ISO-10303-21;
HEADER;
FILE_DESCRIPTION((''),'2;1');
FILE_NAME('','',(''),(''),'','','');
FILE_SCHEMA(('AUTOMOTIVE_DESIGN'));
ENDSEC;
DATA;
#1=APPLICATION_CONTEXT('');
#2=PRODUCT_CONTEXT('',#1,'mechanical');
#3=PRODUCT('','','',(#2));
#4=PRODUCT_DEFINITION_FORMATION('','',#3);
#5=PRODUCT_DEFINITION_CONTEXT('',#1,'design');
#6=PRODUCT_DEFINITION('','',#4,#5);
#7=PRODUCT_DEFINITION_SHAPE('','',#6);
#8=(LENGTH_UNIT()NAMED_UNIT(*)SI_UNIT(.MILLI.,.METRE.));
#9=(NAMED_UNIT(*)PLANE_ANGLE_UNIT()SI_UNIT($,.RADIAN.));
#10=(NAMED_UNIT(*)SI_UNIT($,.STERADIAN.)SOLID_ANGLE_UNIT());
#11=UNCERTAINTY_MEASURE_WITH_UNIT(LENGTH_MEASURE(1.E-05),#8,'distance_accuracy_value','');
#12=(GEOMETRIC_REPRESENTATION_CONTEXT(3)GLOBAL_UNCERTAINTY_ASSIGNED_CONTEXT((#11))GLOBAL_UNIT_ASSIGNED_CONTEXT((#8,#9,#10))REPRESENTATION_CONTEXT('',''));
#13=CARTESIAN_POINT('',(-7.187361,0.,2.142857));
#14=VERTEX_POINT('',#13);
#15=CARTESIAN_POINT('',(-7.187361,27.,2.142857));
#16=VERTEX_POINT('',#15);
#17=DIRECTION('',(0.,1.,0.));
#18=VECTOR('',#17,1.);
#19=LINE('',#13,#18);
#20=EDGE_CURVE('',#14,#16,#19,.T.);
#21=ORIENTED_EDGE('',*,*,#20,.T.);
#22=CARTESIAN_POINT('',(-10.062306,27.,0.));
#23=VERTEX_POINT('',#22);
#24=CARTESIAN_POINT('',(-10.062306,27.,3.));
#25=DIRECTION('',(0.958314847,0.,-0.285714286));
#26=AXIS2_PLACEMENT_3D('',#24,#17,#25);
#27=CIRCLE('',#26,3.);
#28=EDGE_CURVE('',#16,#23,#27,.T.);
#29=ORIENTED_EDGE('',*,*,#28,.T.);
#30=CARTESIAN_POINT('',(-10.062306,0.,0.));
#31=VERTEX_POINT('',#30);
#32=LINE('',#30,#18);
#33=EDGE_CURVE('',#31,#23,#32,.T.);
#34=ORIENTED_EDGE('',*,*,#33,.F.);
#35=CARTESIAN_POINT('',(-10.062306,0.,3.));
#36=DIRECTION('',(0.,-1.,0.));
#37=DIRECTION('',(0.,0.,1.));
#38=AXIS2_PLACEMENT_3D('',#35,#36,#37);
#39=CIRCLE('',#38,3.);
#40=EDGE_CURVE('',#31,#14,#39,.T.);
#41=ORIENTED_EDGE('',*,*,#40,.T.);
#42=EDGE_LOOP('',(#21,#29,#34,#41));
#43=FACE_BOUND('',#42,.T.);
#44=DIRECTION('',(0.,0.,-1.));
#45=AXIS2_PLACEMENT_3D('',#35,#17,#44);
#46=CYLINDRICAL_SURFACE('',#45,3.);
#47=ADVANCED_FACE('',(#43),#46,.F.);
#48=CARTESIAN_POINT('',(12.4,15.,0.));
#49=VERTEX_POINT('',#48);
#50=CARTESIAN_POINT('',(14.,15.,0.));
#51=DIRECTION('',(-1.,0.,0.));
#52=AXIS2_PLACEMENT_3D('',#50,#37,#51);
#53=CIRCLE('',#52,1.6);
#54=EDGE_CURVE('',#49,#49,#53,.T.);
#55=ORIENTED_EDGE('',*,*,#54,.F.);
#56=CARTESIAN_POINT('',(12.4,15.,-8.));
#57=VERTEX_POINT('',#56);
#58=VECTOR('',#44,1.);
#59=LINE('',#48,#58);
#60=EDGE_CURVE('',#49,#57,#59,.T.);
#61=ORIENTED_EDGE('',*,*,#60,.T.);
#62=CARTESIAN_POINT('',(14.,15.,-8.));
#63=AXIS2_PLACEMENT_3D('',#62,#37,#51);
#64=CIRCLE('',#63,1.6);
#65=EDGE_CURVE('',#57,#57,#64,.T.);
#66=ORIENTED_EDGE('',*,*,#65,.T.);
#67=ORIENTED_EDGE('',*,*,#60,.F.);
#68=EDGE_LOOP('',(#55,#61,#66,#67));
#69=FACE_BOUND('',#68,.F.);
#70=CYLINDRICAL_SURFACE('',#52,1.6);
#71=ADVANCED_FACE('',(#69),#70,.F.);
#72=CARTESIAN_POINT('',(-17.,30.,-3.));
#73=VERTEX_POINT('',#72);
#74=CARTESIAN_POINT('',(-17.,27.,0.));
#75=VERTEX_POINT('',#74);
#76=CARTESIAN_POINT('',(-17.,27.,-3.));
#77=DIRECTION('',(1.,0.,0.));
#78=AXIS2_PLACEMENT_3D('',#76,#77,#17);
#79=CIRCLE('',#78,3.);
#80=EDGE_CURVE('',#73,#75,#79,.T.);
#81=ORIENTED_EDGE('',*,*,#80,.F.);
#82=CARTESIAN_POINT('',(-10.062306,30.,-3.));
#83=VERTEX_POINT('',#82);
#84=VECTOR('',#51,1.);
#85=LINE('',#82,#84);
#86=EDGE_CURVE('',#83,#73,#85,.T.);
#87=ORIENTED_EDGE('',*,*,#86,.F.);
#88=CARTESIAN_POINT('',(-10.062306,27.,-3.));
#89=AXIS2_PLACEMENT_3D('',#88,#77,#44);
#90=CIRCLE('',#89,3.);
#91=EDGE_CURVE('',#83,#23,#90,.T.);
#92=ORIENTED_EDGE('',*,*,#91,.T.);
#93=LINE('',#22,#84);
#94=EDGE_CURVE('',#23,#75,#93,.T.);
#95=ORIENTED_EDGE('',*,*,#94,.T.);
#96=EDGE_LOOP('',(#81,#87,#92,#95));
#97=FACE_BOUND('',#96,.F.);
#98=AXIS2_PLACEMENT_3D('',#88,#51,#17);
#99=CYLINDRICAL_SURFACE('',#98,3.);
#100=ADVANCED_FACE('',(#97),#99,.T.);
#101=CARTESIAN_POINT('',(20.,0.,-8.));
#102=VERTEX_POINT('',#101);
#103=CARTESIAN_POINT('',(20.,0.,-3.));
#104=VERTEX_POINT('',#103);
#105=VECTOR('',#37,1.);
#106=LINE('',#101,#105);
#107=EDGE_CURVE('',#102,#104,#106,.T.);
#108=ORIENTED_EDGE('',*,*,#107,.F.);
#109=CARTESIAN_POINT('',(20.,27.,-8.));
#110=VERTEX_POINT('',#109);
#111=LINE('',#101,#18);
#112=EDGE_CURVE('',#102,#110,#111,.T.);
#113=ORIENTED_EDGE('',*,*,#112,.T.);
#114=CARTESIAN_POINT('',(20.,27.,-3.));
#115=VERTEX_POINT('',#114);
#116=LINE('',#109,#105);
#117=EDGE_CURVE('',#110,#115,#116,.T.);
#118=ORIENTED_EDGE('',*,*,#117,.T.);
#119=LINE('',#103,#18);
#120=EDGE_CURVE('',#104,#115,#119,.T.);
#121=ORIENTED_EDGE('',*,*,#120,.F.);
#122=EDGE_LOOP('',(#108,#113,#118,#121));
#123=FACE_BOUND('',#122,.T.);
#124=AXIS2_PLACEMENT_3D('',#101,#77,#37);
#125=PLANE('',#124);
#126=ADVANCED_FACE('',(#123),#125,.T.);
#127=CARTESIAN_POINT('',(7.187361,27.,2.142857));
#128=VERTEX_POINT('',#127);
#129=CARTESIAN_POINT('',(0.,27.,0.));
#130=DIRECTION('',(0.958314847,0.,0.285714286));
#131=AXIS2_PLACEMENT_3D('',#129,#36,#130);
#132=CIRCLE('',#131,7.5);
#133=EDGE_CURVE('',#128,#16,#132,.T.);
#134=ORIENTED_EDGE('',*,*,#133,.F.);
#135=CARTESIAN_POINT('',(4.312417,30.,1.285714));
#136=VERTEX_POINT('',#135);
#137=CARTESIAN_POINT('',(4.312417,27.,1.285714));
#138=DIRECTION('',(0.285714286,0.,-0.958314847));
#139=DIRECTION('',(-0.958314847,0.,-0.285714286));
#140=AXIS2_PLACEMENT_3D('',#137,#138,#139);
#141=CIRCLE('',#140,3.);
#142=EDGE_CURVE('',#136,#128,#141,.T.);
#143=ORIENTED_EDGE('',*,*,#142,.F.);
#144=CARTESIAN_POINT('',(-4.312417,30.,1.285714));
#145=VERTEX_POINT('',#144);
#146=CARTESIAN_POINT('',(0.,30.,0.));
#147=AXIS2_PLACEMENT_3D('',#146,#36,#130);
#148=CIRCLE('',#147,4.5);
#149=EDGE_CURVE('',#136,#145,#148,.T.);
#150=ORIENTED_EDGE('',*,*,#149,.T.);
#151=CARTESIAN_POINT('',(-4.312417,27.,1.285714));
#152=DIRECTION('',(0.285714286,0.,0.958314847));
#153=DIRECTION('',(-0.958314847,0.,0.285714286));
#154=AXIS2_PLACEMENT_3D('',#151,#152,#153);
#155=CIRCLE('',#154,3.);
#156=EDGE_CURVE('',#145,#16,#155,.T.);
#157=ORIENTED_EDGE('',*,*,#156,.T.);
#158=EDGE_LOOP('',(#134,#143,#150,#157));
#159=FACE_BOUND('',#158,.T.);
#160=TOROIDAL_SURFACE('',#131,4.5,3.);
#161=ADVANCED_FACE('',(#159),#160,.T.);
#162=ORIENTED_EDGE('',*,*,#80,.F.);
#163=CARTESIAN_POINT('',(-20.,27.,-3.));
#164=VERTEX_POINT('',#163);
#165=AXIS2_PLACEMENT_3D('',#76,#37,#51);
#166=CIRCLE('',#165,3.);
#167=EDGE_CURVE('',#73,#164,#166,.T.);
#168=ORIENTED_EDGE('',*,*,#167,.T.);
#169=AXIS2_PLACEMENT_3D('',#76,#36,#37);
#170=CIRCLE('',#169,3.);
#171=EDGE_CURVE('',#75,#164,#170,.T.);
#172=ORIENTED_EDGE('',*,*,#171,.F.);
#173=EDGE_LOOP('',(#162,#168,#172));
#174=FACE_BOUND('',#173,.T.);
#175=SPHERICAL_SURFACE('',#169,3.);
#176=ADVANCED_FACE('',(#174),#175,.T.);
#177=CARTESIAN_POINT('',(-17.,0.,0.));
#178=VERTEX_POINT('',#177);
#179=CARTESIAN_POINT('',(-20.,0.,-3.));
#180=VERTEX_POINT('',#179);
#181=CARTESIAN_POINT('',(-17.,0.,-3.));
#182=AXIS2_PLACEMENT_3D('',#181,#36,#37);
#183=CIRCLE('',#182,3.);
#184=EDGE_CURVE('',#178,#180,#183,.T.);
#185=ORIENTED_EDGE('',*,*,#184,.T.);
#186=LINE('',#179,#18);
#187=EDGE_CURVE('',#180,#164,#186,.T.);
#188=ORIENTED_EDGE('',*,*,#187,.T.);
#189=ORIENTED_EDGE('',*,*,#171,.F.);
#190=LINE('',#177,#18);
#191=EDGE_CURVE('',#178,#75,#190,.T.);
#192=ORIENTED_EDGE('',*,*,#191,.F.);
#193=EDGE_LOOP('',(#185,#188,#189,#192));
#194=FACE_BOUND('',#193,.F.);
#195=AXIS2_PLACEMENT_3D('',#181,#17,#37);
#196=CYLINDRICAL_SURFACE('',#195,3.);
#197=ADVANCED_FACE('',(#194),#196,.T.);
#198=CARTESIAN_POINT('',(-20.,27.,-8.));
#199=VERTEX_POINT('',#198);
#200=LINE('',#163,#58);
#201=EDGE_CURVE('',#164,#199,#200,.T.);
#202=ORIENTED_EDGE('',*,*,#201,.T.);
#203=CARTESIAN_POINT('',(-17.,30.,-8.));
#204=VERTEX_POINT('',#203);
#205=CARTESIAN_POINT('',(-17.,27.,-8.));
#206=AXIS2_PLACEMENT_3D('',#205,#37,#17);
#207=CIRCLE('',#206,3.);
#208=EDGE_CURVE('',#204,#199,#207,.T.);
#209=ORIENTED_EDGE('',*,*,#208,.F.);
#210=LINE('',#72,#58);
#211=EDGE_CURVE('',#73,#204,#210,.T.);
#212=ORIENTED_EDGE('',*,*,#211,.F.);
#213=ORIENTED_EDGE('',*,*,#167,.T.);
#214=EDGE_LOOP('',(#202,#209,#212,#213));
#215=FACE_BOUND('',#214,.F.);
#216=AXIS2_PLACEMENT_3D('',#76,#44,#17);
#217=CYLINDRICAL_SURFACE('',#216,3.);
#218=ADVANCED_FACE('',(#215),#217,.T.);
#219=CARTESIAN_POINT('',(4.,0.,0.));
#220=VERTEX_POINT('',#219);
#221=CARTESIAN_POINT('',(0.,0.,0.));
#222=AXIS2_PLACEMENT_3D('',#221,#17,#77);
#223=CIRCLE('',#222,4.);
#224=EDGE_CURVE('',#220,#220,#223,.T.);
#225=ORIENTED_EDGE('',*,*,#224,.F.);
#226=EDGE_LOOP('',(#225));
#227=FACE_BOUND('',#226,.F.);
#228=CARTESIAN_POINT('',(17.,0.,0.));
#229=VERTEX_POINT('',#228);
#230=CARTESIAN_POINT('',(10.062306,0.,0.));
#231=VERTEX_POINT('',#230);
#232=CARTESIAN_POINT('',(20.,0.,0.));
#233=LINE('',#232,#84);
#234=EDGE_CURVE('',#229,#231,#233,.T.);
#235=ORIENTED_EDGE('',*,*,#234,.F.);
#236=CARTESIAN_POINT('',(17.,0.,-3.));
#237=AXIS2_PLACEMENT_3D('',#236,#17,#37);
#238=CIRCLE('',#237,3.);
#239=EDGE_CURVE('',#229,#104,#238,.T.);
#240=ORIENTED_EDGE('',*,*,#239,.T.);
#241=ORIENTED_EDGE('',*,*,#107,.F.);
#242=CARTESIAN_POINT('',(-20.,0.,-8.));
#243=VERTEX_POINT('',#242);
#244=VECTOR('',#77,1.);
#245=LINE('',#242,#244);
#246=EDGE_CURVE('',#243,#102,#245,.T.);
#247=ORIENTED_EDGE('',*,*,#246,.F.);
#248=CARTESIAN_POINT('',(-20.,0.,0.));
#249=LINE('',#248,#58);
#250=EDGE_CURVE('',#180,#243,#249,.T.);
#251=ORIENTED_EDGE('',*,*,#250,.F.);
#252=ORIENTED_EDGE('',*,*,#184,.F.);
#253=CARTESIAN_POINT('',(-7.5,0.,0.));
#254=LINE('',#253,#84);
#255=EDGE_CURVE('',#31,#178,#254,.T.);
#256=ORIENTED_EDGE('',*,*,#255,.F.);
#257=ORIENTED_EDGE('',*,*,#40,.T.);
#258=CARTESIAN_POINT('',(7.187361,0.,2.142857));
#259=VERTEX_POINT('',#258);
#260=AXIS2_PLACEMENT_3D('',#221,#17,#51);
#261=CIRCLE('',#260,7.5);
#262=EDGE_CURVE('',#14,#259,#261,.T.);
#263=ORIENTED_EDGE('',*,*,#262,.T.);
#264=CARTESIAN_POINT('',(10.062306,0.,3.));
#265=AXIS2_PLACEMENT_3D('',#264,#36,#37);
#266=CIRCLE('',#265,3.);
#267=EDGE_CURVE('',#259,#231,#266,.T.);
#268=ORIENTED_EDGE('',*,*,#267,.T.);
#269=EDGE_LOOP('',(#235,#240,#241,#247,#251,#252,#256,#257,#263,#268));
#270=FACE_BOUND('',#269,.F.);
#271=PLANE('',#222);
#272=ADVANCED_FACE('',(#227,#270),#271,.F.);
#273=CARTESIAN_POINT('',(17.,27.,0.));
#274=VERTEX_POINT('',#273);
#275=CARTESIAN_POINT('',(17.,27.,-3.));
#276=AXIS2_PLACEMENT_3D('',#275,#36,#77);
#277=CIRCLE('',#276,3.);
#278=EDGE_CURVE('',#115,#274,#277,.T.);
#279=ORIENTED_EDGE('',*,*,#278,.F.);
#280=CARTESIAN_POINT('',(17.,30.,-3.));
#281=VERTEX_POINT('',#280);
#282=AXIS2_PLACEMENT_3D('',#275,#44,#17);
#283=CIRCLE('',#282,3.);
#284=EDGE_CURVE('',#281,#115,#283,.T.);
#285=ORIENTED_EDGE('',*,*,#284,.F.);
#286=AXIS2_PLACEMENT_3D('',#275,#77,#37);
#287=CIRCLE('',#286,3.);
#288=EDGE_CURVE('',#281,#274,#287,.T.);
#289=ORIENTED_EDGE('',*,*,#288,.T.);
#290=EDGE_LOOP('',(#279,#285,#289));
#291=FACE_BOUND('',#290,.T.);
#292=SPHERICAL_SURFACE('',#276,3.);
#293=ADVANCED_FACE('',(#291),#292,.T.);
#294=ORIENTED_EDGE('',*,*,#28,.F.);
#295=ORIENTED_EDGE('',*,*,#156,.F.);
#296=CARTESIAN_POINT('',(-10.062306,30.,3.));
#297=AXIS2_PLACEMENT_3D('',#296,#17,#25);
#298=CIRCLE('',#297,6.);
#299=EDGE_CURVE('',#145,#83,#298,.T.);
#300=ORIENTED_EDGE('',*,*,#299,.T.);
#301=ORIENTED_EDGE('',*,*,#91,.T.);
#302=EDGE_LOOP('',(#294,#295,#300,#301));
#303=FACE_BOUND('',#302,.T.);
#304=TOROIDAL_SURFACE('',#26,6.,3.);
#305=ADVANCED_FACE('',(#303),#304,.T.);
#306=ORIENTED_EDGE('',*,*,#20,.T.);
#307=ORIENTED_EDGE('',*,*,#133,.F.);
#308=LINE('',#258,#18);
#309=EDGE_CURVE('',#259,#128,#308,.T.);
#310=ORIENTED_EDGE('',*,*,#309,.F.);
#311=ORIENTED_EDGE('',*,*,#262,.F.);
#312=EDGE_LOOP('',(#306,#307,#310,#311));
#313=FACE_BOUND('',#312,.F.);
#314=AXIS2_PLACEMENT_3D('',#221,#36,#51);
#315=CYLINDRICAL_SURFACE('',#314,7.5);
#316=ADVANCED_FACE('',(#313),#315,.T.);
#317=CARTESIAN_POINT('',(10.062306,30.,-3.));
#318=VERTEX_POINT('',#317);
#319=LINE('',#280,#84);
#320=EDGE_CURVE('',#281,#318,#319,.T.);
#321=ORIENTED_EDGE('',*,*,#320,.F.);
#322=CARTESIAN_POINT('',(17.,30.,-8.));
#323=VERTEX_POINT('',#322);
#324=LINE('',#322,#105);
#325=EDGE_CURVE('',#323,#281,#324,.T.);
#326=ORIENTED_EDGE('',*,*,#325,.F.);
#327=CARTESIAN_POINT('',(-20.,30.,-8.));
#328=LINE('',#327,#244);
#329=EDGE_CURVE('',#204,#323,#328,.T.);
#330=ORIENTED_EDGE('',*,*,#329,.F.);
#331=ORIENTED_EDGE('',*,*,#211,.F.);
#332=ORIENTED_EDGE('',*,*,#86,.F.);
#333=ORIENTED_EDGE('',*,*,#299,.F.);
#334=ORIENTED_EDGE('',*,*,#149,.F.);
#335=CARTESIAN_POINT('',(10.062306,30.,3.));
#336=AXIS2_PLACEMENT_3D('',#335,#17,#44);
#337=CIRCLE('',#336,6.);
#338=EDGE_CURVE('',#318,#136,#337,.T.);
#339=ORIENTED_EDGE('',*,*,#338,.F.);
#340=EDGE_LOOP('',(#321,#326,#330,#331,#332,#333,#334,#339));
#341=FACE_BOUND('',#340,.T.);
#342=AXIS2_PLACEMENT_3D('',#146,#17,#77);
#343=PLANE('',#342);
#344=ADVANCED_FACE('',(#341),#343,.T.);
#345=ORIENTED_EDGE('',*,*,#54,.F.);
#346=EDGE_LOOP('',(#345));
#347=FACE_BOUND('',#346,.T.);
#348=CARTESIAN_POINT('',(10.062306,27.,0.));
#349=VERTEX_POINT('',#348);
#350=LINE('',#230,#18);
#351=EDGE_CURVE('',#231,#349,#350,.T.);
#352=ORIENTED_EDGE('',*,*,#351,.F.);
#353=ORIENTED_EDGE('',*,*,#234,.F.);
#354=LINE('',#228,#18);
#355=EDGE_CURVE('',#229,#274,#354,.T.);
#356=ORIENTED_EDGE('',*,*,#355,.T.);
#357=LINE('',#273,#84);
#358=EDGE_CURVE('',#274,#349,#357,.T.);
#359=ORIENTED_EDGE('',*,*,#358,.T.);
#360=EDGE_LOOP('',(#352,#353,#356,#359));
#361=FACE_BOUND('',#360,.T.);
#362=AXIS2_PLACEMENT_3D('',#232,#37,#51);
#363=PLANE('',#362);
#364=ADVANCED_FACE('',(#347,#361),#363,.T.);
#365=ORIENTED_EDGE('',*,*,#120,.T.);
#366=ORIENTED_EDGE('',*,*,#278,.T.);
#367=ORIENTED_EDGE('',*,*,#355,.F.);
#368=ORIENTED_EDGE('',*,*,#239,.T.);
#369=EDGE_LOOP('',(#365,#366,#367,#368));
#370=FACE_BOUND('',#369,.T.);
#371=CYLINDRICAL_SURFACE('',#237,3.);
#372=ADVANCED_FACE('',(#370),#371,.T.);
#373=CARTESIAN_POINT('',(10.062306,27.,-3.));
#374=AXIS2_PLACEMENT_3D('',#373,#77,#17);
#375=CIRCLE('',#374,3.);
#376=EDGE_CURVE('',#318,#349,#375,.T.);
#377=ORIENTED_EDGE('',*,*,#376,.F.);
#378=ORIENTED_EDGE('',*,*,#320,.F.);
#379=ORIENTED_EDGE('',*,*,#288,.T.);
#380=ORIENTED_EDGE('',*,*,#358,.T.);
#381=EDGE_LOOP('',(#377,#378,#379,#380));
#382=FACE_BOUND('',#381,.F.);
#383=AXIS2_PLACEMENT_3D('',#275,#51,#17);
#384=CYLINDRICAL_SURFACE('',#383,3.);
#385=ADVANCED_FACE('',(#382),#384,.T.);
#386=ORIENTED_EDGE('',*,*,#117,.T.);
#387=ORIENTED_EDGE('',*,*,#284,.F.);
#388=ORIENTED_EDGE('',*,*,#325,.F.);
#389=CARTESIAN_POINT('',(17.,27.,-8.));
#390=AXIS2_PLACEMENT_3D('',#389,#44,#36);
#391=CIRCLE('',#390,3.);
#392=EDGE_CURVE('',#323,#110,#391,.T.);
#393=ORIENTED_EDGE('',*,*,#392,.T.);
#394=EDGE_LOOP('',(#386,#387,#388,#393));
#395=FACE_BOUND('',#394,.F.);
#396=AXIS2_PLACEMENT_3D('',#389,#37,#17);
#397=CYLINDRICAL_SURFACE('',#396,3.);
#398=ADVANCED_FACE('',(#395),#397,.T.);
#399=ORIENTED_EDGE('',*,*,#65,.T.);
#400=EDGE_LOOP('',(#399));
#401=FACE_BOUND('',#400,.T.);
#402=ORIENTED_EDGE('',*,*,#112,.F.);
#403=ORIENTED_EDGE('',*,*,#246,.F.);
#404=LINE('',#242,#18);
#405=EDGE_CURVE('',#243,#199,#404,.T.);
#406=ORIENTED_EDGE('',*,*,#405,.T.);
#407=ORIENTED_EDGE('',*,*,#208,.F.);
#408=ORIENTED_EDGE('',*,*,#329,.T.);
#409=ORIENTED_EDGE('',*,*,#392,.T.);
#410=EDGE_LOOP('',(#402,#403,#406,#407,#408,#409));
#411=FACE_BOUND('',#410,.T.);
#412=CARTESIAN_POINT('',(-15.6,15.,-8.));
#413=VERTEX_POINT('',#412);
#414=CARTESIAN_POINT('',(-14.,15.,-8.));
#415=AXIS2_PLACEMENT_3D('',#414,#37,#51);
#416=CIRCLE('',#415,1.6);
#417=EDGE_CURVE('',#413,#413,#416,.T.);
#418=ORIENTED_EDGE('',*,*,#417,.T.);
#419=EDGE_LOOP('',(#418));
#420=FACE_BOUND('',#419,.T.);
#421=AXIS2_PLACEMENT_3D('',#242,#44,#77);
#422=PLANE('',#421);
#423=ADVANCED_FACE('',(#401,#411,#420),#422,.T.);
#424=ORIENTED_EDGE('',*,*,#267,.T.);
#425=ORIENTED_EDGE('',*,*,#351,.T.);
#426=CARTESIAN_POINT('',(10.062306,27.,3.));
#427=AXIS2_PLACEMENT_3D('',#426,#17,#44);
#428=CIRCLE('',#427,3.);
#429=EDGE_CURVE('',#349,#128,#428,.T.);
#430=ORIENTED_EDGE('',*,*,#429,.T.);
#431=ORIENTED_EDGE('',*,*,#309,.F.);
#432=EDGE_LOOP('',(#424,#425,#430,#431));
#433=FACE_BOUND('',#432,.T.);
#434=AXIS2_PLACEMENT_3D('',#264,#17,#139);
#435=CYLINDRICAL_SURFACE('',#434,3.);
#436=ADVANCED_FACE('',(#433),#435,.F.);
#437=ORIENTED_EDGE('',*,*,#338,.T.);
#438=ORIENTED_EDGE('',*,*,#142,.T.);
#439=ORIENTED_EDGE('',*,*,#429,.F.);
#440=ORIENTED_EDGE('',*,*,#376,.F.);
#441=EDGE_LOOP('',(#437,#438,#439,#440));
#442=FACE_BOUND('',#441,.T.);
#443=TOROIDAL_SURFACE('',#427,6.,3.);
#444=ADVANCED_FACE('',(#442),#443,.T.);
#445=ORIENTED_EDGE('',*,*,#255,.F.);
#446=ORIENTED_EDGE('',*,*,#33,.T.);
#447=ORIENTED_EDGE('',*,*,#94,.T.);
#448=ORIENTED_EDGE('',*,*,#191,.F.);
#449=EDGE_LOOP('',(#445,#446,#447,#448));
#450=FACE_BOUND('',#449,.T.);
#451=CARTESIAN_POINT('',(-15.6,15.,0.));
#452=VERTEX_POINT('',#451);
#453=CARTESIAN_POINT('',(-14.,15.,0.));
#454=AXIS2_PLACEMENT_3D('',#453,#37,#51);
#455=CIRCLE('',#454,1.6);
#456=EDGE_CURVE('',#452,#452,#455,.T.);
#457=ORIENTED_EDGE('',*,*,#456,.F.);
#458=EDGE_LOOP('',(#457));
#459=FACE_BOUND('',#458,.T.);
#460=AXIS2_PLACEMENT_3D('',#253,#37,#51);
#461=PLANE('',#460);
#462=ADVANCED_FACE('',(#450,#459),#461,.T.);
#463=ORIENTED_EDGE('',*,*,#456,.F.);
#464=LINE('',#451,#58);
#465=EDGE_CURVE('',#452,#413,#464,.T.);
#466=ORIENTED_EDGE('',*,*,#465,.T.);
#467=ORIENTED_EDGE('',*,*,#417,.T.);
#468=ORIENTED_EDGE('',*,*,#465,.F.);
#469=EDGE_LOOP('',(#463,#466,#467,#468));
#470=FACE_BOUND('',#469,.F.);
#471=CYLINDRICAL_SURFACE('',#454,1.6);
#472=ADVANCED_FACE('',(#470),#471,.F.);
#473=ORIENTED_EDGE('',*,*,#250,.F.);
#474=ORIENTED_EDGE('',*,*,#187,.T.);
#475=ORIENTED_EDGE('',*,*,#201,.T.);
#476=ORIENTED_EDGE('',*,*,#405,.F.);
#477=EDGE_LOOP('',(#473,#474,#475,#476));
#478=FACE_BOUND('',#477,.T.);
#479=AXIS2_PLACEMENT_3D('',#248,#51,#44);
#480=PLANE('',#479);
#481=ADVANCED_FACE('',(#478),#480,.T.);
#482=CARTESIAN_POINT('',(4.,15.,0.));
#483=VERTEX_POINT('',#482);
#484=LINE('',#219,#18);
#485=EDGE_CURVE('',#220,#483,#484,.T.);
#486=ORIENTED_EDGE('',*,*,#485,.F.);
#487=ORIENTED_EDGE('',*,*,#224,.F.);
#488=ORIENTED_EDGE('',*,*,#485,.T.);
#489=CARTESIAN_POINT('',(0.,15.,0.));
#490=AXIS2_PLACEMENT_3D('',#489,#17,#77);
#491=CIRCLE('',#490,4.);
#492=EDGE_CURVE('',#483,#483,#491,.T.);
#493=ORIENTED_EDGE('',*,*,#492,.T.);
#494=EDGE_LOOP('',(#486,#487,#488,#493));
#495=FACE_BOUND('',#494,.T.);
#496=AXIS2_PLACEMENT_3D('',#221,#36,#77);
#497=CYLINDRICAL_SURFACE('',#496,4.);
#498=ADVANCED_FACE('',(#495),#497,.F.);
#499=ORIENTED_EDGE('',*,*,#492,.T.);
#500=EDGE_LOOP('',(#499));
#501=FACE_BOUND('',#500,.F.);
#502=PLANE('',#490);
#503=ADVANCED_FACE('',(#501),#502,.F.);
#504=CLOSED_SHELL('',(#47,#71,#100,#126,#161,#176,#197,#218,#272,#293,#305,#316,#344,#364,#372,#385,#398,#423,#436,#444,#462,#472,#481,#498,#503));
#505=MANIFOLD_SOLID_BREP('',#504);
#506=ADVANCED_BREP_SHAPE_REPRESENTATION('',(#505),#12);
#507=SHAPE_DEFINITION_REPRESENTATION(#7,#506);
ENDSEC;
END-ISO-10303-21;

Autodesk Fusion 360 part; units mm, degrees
sketch "Sketch1" plane through (0, 0, 0) normal (0, 1, 0) x (1, 0, 0)
  line L0 (-7.5, 0) -> (-20, 0)
  line L1 (-20, 0) -> (-20, 8)
  line L2 (-20, 8) -> (20, 8)
  line L3 (20, 8) -> (20, 0)
  line L4 (20, 0) -> (7.5, 0)
  arc A0 (-7.5, 0) -> (7.5, 0) centre (0, 0) ccw
  circle A1 centre (0, 0) radius 4
  dimension "d1" = 15
  dimension "d2" = 20
  dimension "d3" = 20
  dimension "d4" = 8
  dimension "d5" = 8
extrude "Extrude1" add sketch "Sketch1" along normal blind 30 contours L0 L1 L2 L3 L4 A0 | A1
extrude "Extrude2" cut sketch "Sketch1" along normal blind 15 contours A1
fillet "Fillet1" radius 3 4 edges at (-7.5, 15, 0) (7.5, 15, 0) (20, 15, 0) (-20, 15, 0)
sketch "Sketch2" plane through (0, 0, 0) normal (0, 0, 1) x (-1, 0, 0)
  line L0 (-17, 0) -> (-17, -30)
  line L1 (-17, -30) -> (-10.0623, -30)
  line L2 (-10.0623, -30) -> (-10.0623, 0)
  line L3 (-10.0623, 0) -> (-17, 0)
  circle A0 centre (14, -15) radius 1.6
  circle A1 centre (-14, -15) radius 1.6
  line L4 (10.0623, 0) -> (17, 0)
  dimension "d12" = 3.2
  dimension "d13" = 15
  dimension "d14" = 14
  dimension "d15" = 14
extrude "Extrude3" cut sketch "Sketch2" against normal through all contours A0 | A1
fillet "Fillet2" radius 3 9 edges at (-20, 30, -5.5) (-19.1213, 30, -0.8787) (-13.5312, 30, 0) (-8.2695, 30, 0.5946) (0, 30, 7.5) (8.2695, 30, 0.5946) (13.5312, 30, 0) (19.1213, 30, -0.8787) (20, 30, -5.5)
equation "d3 = d2"
equation "d15 = d14"
